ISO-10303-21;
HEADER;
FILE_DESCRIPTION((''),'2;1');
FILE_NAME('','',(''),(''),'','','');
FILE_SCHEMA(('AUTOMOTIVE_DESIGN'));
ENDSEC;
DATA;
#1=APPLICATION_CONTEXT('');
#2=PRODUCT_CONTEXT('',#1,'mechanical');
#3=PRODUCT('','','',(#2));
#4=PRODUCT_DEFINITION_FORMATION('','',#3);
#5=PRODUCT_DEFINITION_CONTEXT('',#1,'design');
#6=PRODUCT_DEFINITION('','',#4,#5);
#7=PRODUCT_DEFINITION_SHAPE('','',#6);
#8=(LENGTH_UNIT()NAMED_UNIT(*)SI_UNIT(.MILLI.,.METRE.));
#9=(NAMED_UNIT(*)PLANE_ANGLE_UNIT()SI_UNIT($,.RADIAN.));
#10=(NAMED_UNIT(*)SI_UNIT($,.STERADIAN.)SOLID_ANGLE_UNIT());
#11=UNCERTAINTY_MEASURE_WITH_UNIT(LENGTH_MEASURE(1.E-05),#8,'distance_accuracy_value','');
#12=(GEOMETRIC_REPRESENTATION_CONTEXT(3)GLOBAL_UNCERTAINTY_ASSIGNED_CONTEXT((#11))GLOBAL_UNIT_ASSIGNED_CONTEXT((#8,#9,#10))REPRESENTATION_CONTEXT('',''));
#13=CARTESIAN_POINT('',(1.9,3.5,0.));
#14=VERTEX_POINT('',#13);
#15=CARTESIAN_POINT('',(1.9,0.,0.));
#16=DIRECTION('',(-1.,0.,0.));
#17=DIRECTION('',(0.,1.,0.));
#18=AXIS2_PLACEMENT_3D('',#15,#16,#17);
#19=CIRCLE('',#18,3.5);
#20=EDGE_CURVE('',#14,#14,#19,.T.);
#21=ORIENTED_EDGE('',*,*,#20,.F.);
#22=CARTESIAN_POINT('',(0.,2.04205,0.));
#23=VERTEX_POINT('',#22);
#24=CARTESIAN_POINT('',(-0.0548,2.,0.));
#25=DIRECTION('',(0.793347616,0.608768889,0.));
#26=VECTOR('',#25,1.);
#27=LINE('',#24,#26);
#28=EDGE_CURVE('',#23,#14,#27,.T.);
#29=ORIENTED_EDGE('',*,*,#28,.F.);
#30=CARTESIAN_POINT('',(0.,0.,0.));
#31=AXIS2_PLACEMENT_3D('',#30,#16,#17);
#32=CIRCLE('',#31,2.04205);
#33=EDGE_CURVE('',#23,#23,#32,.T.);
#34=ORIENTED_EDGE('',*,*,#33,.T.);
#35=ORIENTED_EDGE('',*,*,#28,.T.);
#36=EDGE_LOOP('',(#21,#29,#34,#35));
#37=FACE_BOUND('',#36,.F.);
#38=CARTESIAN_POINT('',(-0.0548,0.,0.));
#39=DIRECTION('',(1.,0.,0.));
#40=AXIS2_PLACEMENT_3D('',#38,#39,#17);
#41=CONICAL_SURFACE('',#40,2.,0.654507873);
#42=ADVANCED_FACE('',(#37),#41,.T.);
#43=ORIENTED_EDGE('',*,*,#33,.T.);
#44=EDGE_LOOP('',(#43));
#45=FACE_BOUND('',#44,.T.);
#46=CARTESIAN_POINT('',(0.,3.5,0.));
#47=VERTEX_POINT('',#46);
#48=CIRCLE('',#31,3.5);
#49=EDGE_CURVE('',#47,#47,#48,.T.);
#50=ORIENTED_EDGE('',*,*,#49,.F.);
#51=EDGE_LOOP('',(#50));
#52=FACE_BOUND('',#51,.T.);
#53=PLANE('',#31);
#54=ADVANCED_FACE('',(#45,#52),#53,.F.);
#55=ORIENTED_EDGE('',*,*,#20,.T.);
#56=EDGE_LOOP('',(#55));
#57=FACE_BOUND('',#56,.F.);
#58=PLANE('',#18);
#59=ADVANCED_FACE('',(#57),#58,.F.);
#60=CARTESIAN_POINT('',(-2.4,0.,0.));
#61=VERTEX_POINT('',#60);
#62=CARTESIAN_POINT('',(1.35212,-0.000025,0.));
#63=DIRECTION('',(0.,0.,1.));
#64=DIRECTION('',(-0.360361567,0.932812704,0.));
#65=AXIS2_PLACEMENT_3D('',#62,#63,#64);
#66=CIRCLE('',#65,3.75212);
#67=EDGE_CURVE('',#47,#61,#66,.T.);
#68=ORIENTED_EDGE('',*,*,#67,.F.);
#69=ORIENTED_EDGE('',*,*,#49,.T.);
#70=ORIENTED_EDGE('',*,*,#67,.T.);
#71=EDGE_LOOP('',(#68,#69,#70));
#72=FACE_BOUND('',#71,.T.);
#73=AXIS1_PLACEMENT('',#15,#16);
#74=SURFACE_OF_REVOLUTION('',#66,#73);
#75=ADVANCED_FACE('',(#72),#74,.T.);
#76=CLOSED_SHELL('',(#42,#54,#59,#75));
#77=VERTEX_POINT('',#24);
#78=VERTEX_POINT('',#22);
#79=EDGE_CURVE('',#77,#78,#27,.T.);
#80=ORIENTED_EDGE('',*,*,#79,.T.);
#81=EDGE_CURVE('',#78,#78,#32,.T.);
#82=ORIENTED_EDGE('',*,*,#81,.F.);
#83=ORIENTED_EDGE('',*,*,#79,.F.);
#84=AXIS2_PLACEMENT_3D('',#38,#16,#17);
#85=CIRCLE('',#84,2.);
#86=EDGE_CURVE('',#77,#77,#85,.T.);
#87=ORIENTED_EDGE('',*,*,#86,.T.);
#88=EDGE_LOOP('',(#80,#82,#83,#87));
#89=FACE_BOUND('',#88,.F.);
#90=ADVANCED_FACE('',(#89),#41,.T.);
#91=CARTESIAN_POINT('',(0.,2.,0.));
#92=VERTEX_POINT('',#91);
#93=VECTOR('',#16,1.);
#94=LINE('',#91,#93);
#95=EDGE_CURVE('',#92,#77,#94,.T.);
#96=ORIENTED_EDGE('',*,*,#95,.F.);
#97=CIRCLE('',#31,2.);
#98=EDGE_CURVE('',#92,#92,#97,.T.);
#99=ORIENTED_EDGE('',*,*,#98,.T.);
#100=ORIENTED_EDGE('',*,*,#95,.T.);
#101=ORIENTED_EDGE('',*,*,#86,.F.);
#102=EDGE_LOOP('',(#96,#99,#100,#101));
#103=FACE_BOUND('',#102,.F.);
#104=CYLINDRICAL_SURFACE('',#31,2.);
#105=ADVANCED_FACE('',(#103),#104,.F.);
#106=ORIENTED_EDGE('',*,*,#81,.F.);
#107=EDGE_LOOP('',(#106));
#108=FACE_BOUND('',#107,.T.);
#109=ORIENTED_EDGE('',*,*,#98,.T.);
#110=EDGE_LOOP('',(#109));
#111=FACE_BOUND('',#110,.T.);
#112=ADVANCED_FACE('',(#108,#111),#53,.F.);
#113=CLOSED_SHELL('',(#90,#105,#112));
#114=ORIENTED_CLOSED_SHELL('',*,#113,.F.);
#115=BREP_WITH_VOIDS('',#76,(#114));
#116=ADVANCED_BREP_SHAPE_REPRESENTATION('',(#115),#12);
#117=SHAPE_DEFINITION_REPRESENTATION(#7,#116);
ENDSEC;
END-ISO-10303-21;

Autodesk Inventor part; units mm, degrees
ref_plane "YZ Plane" through (0, 0, 0) normal (1, 0, 0) x (0, 1, 0)
ref_plane "XZ Plane" through (0, 0, 0) normal (0, 1, 0) x (-1, 0, 0)
ref_plane "XY Plane" through (0, 0, 0) normal (0, 0, 1) x (1, 0, 0)
sketch "Эскиз" plane through (0, 0, 0) normal (0, 0, 1) x (1, 0, 0)
  line L0 (0, 2) -> (-0.0548, 2)
  line L1 (-0.0548, 2) -> (1.9, 3.5)
  line L2 (1.9, 3.5) -> (1.9, 0)
  line L3 (1.9, 0) -> (-2.4, 0)
  line L4 (0, 2) -> (0, 3.5)
  arc A0 (0, 3.5) -> (-2.4, 0) centre (1.3521, 0) ccw
  line L5 (-1.0835, 0) -> (1.3472, 0) projected
  line L6 (0, -0.1982) -> (0, 1.189) projected
  dimension "d0" = 2.4
  dimension "d1" = 7
  dimension "d2" = 4
  dimension "d4" = 37.5
  dimension "d6" = 1.9
  dimension "d14" = 7
revolve "Базовый элемент" add sketch "Эскиз" angle 360 about axis through (1.9, 0, 0) along (-1, 0, 0)
equation "\"d0\" = KOH"
equation "\"d1\" = KOD"
equation "\"d2\" = NND1"
equation "\"d4\" = 0.5 * SEWI1"
equation "\"d6\" = KLG"
equation "\"d14\" = KOD"
equation "\"KLG\" = 1.9"
equation "\"NND1\" = 4"
equation "\"KOD1\" = KOD"
equation "\"KOH1\" = 1.9"
equation "\"SEWI1\" = 75deg"
equation "\"KOH\" = 2.4"
equation "\"KOD\" = 7"
equation "\"NLG\" = 8"
equation "\"NND\" = 4"
equation "\"KLGMAX\" = 5"
equation "\"KLGMIN\" = 1.8"
properties part number "DIN 660 - B 4 x 8" material "Сталь, мягкая"
